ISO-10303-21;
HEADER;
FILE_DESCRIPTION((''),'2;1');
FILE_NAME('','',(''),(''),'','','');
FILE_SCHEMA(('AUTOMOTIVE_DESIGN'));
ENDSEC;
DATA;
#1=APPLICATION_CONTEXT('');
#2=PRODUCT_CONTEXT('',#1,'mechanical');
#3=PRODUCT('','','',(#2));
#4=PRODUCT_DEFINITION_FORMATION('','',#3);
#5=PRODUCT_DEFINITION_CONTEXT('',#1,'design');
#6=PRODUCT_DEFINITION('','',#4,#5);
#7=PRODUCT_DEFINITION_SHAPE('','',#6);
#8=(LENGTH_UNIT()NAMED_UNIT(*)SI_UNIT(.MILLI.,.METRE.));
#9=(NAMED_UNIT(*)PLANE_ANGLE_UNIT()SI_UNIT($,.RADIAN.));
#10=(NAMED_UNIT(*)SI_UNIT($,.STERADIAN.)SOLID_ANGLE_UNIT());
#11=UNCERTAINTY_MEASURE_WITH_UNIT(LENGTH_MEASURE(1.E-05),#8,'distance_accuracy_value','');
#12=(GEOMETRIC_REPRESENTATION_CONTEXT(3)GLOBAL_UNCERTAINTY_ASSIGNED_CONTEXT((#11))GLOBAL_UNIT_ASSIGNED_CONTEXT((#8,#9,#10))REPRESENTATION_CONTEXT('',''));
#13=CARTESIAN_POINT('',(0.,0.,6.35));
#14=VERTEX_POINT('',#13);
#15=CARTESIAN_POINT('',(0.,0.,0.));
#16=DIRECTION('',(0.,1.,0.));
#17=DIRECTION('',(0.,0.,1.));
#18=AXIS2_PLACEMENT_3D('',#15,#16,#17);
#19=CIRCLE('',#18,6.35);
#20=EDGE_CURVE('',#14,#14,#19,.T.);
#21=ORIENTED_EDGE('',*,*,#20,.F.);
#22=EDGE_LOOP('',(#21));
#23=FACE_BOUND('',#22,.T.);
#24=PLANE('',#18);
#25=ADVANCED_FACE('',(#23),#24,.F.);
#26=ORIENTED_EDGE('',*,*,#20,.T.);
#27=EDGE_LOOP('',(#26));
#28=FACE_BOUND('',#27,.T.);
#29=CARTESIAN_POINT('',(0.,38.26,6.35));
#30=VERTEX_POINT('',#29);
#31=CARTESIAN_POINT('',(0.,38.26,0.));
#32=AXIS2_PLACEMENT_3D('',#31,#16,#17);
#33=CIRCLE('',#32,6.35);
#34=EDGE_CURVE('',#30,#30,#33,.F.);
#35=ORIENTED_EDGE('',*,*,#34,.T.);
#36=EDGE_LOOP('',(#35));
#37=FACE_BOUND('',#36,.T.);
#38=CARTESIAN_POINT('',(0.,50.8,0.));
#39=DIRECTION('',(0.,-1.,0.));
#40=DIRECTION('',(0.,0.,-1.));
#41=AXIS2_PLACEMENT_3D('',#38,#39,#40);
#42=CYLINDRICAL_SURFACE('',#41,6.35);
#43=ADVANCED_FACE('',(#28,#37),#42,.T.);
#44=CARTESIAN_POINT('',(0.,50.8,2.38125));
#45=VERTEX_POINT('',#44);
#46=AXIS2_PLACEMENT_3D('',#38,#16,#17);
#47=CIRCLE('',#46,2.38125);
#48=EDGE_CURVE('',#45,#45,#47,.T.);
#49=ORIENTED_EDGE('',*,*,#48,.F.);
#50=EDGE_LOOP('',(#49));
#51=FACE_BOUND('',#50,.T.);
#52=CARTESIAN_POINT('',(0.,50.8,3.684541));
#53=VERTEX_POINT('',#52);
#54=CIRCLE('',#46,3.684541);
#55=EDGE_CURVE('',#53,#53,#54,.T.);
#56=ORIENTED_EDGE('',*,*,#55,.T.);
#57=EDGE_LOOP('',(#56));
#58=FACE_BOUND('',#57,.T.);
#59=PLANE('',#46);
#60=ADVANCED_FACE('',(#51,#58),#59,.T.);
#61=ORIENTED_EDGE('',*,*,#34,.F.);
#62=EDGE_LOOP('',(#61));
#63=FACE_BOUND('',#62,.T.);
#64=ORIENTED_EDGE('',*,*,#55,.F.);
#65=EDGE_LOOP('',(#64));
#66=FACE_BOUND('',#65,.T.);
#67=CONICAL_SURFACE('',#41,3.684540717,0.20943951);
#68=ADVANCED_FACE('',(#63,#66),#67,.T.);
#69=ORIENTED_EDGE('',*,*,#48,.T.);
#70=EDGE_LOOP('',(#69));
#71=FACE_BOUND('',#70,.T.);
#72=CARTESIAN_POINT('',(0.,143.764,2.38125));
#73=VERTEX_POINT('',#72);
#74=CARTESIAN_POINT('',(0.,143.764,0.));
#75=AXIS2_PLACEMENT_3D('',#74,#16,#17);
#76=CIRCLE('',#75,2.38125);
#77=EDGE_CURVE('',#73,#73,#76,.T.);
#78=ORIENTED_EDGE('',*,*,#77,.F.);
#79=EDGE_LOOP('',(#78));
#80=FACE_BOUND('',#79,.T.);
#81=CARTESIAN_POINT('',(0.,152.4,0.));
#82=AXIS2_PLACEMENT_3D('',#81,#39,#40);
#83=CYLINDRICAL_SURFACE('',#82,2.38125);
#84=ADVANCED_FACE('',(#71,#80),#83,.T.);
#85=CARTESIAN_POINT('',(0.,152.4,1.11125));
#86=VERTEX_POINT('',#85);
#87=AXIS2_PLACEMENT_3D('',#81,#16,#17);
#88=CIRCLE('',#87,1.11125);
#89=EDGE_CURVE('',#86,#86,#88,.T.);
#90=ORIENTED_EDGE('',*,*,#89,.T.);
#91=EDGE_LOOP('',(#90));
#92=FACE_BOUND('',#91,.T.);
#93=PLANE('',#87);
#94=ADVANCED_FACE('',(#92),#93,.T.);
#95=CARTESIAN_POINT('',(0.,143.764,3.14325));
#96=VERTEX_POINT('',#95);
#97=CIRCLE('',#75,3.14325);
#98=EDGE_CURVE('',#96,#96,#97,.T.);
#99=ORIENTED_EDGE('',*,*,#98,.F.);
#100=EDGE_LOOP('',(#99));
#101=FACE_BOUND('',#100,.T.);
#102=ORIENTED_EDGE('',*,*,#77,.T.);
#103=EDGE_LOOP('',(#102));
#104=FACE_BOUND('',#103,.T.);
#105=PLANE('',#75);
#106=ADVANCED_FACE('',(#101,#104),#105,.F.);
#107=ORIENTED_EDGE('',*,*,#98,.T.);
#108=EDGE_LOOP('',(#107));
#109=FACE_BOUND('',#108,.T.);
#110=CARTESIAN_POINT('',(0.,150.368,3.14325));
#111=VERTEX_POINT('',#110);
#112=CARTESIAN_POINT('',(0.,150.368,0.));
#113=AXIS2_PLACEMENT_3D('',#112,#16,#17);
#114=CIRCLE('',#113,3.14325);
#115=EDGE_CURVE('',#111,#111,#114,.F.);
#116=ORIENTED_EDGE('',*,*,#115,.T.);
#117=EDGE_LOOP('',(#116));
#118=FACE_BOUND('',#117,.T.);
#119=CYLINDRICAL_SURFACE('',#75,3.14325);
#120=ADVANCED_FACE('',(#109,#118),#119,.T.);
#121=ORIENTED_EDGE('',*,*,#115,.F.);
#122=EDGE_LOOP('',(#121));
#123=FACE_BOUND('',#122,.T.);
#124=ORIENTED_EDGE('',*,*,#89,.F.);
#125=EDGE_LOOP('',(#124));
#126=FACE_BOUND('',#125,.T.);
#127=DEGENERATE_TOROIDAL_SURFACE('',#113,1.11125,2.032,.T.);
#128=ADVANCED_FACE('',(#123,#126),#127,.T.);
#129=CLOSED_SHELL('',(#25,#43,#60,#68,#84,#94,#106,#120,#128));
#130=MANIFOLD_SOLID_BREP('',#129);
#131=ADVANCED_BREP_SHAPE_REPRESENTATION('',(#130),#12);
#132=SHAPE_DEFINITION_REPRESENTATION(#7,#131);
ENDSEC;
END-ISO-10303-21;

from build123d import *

# Parameters (mm, degrees)
SKETCH1_R           = 2.38125
BOSS_EXTRUDE1_DEPTH = 152.4
SKETCH2_R           = 6.35
BOSS_EXTRUDE2_DEPTH = 50.8
CHAMFER1_SIZE       = 12.54
CHAMFER1_SIZE2      = 2.665459283
SKETCH3_R           = 3.14325
BOSS_EXTRUDE3_DEPTH = 8.636
FILLET1_R           = 2.032


with BuildPart() as part:
    # Sketch1 → Boss-Extrude1 (new body)
    with BuildSketch(Plane(origin=(0, 0, 0), x_dir=(1, 0, 0), z_dir=(0, 1, 0))):
        Circle(SKETCH1_R)
    extrude(amount=BOSS_EXTRUDE1_DEPTH)

    # Sketch2 → Boss-Extrude2 (add)
    with BuildSketch(Plane(origin=(0, 0, 0), x_dir=(1, 0, 0), z_dir=(0, 1, 0))):
        Circle(SKETCH2_R)
    extrude(amount=BOSS_EXTRUDE2_DEPTH)

    # Chamfer1
    chamfer1_edges = [part.edges().sort_by_distance(p)[0] for p in [
        (-6.35, 50.8, 0),
    ]]
    chamfer1_side = [part.faces().sort_by_distance(p)[0] for p in [
        (-6.35, 25.4, 0),
    ]]
    chamfer(chamfer1_edges, length=CHAMFER1_SIZE, length2=CHAMFER1_SIZE2, reference=chamfer1_side[0])

    # Sketch3 → Boss-Extrude3 (add)
    with BuildSketch(Plane(origin=(0, 152.4, 0), x_dir=(1, 0, 0), z_dir=(0, 1, 0))):
        Circle(SKETCH3_R)
    extrude(amount=-BOSS_EXTRUDE3_DEPTH)

    # Fillet1
    fillet1_edges = [part.edges().sort_by_distance(p)[0] for p in [
        (-3.14325, 152.4, 0),
    ]]
    fillet(fillet1_edges, radius=FILLET1_R)


solid = part.part
